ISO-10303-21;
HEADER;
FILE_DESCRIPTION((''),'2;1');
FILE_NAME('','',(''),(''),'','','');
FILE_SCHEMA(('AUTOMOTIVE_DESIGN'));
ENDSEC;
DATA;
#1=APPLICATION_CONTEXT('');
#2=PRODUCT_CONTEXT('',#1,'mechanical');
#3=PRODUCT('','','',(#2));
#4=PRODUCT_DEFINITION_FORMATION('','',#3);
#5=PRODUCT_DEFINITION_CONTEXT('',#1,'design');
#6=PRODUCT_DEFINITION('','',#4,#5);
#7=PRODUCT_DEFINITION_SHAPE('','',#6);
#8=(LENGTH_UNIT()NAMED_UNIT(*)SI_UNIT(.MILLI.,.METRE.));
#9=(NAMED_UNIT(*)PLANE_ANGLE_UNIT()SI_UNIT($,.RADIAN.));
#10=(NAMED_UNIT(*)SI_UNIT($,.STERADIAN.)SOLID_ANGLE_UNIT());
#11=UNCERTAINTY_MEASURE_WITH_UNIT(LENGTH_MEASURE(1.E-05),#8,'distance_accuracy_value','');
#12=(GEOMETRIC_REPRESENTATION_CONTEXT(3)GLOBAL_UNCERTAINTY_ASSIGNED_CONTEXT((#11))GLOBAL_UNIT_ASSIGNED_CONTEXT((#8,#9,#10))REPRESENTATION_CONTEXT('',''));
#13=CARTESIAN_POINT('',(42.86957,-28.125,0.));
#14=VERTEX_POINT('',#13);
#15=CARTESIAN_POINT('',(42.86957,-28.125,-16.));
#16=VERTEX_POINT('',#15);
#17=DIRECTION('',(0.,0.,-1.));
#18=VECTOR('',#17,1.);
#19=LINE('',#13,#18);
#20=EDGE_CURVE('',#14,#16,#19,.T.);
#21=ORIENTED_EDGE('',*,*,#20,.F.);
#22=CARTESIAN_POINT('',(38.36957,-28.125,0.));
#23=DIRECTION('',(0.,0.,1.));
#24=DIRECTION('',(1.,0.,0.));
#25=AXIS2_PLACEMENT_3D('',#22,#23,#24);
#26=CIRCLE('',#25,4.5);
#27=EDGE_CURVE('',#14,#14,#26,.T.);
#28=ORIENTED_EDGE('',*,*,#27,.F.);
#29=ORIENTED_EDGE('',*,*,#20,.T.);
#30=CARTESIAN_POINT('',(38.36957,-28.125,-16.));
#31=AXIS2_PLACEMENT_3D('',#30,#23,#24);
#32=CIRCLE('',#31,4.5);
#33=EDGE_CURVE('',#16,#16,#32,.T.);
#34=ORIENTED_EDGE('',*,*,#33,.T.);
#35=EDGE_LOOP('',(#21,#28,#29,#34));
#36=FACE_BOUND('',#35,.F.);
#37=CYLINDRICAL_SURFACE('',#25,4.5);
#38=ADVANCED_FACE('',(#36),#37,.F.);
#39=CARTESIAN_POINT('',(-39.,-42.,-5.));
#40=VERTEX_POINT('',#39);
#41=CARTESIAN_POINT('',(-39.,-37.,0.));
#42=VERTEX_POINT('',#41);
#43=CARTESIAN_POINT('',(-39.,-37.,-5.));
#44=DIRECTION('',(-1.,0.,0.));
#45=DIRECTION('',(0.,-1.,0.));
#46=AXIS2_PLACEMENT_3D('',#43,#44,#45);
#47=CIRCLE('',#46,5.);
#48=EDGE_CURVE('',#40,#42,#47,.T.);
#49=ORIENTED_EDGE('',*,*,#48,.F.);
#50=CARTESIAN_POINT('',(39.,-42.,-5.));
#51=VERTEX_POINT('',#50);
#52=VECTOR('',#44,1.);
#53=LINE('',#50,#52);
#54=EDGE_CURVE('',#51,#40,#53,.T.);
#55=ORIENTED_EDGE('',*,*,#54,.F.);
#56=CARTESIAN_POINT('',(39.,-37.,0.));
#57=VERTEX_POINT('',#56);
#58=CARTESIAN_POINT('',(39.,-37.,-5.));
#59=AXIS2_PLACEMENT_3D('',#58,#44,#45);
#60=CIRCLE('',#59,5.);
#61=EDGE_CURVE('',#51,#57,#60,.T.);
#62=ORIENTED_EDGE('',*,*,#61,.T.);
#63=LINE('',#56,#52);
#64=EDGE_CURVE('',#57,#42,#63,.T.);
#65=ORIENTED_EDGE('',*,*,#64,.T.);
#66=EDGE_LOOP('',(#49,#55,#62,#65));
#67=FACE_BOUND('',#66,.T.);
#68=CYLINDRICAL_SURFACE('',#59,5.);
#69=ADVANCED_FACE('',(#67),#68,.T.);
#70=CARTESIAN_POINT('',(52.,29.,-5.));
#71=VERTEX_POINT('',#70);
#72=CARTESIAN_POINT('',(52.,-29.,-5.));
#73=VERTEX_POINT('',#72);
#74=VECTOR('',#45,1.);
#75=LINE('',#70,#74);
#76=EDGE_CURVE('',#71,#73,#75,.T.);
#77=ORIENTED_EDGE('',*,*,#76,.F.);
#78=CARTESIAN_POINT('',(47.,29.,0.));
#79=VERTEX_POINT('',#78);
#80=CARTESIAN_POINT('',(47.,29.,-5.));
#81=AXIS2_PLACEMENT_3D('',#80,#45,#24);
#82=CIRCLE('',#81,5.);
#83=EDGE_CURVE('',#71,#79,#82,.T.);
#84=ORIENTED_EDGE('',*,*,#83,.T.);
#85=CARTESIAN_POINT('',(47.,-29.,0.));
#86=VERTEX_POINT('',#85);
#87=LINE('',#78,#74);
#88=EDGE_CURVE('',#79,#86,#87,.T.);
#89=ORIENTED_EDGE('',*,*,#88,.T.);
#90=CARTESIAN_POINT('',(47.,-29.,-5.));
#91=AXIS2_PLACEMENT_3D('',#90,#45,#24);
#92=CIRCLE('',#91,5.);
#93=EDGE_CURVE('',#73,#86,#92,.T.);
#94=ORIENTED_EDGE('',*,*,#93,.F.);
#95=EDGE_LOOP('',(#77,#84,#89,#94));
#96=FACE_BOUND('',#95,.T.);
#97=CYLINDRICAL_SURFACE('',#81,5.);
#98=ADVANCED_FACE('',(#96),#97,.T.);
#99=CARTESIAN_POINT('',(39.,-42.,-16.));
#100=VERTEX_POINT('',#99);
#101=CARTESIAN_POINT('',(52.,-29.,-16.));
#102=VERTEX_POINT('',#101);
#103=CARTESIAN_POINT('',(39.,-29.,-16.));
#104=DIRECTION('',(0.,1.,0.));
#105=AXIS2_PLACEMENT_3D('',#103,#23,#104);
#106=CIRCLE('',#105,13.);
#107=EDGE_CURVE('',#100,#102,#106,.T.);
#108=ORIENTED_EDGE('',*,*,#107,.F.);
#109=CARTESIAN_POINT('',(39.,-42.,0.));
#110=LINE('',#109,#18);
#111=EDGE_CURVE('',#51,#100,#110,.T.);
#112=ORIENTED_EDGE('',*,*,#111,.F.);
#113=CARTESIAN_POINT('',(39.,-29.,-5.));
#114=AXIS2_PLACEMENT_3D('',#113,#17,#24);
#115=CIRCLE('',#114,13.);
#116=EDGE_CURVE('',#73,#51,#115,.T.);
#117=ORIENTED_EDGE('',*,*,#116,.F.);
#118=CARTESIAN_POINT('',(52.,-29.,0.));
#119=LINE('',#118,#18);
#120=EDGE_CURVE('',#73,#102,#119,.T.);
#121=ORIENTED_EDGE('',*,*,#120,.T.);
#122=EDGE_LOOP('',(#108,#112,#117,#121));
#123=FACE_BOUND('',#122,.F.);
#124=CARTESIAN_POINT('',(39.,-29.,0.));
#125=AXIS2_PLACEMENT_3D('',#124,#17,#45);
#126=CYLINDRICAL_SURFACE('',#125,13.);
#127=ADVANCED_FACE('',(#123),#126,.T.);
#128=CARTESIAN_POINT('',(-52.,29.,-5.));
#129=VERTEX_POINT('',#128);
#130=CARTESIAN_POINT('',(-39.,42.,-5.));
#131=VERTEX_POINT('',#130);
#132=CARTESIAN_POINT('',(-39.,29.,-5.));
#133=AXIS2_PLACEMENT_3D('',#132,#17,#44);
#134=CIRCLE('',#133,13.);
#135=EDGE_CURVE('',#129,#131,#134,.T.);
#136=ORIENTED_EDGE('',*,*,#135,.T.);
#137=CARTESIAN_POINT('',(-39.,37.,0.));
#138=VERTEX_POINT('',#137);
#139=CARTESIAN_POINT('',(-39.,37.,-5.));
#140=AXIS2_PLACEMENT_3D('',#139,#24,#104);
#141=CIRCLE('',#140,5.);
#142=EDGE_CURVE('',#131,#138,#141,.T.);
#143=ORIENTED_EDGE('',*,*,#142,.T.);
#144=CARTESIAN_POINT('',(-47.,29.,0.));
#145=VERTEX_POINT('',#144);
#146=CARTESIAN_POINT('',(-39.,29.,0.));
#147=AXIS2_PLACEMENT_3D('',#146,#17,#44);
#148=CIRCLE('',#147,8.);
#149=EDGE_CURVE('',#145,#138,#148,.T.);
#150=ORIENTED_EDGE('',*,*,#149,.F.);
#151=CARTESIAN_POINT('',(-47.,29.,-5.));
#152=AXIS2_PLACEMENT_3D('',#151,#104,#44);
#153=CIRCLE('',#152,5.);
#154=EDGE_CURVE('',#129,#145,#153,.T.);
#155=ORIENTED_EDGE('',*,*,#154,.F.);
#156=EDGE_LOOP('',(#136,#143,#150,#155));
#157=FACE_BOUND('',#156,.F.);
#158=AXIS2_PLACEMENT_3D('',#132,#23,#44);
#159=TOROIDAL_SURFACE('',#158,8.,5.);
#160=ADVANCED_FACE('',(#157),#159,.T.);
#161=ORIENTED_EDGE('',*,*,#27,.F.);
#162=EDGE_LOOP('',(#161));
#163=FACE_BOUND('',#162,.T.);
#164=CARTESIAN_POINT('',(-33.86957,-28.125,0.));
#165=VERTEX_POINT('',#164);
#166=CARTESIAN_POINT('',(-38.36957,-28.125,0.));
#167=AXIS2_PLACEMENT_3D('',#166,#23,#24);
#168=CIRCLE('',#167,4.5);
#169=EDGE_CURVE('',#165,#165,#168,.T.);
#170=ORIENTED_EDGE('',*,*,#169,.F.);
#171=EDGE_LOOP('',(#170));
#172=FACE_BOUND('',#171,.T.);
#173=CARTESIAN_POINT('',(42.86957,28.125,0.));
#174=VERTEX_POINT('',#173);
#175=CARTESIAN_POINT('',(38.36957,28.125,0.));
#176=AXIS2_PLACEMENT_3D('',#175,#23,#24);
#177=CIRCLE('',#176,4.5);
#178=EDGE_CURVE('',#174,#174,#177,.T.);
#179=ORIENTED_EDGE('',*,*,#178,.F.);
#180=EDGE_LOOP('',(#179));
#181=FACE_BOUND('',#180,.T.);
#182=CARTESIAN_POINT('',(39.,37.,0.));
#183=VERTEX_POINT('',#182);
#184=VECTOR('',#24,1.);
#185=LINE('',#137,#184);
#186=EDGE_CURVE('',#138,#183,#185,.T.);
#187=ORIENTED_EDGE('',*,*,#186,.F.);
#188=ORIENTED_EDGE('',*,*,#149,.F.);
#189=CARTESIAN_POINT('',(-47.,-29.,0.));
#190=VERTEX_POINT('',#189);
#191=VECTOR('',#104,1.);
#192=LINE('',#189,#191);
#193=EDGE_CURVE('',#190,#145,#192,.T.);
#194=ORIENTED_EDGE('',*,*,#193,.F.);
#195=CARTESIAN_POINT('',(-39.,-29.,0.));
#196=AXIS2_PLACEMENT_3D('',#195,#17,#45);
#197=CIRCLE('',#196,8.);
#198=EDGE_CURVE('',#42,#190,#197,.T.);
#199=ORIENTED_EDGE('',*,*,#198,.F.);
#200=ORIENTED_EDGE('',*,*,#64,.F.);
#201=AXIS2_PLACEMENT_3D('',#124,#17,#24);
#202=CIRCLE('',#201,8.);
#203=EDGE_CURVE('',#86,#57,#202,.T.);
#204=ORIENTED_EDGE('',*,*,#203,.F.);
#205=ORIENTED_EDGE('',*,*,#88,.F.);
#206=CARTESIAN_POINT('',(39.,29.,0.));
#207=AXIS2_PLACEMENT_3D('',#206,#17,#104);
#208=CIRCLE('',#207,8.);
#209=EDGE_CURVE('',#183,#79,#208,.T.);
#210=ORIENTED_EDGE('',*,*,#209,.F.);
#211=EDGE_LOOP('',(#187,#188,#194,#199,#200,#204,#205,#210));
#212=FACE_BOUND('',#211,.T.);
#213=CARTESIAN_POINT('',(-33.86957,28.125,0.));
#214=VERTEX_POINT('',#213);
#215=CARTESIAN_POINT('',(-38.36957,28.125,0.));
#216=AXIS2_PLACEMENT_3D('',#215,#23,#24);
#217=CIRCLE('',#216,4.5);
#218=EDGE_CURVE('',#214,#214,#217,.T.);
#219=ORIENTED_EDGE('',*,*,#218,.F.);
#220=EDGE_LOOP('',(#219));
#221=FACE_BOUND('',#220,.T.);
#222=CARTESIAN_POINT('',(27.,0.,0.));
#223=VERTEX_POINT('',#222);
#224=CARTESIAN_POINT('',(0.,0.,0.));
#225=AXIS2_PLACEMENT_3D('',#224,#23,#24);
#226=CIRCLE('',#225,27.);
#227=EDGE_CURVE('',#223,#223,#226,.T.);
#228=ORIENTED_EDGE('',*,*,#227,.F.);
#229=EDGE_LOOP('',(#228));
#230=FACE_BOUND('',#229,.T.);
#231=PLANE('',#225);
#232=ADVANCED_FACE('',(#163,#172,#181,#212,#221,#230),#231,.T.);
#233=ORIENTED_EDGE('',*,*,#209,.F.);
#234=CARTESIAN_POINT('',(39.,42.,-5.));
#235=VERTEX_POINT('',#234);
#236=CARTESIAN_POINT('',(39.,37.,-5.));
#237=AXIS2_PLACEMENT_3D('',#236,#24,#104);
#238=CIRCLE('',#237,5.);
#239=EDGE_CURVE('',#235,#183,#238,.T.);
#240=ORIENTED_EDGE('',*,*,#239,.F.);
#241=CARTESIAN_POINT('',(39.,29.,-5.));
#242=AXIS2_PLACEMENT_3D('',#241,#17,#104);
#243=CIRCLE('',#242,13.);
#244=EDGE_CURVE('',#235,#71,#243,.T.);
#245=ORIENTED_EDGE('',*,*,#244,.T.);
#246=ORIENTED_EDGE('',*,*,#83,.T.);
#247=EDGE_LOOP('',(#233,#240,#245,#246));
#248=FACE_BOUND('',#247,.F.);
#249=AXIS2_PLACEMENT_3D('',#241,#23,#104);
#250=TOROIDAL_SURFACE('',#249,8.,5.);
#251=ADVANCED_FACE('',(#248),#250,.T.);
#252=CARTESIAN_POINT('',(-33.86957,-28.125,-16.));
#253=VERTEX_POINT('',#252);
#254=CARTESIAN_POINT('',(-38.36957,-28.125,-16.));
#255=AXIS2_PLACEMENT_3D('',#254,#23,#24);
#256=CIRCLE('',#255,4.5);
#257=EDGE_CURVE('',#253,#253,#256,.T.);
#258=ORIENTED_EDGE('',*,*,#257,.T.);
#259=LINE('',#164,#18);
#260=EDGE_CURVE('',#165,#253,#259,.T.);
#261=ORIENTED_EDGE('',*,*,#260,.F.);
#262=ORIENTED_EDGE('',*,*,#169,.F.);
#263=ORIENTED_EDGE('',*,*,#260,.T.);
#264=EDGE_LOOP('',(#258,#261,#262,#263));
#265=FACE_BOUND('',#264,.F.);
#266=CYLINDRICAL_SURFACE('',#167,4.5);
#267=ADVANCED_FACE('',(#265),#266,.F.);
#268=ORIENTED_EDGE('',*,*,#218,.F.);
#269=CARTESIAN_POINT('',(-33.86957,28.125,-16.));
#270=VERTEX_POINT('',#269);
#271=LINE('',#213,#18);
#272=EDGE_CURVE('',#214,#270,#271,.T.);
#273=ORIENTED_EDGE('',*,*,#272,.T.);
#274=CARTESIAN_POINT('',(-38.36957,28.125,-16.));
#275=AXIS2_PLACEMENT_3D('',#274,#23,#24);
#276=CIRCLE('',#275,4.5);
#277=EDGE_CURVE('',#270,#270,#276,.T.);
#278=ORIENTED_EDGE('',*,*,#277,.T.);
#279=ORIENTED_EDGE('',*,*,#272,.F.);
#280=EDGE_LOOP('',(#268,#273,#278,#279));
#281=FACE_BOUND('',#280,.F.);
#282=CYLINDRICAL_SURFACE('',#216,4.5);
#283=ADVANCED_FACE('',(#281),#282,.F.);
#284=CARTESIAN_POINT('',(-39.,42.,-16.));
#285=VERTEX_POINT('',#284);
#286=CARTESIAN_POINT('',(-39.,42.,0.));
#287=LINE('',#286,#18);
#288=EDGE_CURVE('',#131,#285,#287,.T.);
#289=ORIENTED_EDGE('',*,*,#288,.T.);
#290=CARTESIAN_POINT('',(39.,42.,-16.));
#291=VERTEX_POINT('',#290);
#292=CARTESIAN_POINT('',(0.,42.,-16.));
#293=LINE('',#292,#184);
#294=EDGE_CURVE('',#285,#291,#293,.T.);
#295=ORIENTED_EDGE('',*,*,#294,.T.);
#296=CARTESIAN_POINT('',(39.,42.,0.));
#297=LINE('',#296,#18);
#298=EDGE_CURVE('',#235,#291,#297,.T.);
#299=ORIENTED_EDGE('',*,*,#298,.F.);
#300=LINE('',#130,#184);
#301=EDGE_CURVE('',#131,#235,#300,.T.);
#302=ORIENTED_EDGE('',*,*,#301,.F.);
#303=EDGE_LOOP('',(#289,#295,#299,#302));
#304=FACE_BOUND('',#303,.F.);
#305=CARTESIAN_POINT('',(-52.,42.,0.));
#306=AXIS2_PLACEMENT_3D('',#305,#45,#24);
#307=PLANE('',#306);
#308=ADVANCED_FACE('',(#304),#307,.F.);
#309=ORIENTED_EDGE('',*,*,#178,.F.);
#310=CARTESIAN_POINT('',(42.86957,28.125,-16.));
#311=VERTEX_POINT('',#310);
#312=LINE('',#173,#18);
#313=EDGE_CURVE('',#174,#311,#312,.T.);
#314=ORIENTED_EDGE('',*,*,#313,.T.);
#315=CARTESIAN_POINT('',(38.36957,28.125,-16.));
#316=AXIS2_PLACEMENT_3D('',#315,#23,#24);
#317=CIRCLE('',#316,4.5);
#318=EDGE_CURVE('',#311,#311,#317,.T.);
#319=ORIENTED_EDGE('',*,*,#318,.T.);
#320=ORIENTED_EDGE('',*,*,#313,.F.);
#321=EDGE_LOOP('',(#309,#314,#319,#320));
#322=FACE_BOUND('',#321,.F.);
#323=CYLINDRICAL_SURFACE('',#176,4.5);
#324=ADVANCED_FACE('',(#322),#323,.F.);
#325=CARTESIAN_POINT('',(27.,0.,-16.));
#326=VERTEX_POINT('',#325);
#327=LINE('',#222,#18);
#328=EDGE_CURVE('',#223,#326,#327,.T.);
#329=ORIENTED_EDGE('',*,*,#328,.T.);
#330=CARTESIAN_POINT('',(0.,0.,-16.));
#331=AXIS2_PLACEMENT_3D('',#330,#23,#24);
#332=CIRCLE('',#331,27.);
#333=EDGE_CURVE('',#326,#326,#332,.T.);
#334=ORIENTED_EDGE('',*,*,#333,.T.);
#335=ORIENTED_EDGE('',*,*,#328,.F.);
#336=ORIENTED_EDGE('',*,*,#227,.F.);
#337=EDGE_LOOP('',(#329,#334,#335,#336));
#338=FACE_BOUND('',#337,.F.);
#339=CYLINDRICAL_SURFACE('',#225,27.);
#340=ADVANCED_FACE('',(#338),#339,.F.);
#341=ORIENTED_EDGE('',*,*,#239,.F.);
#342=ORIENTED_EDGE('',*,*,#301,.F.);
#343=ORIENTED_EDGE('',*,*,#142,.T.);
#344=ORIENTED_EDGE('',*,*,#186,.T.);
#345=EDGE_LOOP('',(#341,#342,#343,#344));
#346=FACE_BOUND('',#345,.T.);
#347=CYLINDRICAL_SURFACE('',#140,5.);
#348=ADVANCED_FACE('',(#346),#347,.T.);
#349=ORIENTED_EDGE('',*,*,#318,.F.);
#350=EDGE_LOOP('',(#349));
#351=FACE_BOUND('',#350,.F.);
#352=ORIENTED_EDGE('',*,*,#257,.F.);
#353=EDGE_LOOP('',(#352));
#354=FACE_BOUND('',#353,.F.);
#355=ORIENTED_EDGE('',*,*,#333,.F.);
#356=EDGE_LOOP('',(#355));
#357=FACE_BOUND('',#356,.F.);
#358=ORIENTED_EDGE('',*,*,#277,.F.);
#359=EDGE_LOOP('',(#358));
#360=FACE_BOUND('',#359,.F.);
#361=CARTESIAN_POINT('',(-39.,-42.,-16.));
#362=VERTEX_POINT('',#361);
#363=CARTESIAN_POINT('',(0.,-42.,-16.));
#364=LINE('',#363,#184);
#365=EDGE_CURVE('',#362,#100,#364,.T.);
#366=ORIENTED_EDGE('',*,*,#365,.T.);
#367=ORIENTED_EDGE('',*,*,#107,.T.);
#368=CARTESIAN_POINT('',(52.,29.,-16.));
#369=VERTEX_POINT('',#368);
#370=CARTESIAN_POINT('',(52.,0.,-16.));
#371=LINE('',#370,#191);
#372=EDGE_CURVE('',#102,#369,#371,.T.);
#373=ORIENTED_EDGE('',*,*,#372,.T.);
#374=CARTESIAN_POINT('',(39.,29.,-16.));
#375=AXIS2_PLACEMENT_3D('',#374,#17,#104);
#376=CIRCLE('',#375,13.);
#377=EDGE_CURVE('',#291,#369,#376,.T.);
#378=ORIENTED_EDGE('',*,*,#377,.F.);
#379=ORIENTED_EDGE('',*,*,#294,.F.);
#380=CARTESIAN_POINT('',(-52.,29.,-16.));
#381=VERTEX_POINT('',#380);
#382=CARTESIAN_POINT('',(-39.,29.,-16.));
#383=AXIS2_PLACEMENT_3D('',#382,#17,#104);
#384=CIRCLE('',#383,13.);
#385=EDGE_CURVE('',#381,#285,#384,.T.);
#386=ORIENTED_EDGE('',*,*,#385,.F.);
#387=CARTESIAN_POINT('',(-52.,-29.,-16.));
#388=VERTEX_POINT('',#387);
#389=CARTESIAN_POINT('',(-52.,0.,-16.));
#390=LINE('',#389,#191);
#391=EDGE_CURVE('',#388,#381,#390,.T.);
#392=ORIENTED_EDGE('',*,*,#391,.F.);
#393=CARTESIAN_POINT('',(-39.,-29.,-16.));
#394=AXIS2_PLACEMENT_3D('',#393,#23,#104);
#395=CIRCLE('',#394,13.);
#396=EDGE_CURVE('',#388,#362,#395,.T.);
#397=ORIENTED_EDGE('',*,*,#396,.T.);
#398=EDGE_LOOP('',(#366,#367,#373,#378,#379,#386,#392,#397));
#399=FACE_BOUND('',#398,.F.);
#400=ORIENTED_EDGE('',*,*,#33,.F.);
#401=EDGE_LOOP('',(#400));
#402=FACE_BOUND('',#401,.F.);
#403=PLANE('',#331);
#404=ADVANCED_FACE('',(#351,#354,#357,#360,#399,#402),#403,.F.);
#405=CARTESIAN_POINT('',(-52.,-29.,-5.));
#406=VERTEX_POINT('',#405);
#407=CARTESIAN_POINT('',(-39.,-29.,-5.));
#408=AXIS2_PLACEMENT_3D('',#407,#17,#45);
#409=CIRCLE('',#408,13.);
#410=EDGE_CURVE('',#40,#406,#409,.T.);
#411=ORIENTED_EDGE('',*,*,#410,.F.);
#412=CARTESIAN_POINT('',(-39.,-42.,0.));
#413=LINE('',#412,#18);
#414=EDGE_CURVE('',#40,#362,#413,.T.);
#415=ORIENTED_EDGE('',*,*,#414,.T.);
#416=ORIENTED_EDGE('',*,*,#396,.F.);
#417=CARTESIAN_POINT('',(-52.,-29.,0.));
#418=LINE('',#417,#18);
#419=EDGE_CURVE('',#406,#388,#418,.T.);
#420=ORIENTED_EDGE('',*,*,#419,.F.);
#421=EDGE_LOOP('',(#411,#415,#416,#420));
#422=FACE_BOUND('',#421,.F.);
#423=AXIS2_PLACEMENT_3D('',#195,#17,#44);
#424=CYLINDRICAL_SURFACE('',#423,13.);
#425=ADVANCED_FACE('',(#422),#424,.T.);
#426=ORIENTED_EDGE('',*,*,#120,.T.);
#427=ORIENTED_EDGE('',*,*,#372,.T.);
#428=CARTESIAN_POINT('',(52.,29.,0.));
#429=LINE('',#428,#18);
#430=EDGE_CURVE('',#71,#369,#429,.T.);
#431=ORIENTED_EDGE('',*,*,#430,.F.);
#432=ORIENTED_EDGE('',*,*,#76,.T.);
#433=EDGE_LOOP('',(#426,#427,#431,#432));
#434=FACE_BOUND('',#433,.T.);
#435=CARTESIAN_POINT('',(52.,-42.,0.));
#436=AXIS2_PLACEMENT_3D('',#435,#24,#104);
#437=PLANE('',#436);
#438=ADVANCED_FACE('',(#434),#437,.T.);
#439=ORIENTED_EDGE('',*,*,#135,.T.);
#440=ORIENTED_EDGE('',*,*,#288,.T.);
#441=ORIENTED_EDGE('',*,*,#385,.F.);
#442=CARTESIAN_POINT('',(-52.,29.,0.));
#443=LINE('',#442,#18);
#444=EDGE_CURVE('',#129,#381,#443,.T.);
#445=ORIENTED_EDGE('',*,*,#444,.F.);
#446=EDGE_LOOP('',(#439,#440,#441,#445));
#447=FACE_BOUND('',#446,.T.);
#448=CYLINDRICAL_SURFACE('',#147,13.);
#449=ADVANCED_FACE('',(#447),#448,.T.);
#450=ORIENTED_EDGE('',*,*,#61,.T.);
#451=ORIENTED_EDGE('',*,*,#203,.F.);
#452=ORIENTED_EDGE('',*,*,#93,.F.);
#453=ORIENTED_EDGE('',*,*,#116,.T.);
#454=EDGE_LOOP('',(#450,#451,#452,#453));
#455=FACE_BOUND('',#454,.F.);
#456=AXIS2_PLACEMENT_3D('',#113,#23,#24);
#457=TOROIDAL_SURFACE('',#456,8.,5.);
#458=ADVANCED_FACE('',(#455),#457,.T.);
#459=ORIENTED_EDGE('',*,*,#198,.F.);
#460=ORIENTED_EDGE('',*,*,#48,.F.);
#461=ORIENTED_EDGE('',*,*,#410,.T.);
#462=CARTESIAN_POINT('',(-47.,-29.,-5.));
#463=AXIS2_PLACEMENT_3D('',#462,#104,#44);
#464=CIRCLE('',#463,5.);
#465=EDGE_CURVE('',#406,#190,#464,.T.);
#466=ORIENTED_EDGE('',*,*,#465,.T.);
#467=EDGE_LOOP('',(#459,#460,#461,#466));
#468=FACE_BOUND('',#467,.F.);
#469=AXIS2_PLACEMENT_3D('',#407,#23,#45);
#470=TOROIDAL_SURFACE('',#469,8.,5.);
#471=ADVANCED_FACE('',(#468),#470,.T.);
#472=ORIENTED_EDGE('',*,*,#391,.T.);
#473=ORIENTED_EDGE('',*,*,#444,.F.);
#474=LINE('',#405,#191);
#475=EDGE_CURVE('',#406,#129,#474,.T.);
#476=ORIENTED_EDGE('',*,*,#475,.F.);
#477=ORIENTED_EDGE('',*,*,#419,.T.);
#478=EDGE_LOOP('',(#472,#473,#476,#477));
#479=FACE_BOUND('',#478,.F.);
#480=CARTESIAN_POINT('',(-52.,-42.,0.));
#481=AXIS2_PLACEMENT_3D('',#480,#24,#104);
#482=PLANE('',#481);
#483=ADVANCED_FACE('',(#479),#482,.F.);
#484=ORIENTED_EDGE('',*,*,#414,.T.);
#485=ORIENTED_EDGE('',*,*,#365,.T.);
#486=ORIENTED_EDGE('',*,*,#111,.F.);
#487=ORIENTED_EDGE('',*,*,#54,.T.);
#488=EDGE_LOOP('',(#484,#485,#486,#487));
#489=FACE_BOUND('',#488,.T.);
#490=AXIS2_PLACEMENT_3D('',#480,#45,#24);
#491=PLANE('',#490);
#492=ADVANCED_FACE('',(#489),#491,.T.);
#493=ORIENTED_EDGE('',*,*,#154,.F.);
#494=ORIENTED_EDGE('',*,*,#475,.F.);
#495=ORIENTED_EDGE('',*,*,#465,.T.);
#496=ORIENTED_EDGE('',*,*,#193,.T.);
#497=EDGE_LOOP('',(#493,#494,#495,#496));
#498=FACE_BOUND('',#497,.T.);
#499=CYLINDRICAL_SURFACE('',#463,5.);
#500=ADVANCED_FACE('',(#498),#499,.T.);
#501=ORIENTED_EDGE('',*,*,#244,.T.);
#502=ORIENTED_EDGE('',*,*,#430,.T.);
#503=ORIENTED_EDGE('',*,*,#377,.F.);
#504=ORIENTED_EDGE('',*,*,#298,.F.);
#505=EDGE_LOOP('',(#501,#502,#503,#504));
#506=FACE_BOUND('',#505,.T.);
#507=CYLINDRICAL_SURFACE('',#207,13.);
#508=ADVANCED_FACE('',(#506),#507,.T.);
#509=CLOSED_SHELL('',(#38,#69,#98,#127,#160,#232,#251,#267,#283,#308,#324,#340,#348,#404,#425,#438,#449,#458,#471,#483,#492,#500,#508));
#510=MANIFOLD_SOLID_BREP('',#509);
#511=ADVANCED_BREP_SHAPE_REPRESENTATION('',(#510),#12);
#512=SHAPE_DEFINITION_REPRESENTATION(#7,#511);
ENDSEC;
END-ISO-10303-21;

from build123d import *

# Parameters (mm, degrees)
F0_W     = 104
F0_H     = 84
F1_DEPTH = 16
F3_R     = 4.5
F4_DEPTH = 25
F5_R     = 27
F6_DEPTH = 25
F7_R     = 13
F8_R     = 5


with BuildPart() as f1:
    # F0 (on Top) → F1 (new body)
    with BuildSketch(Plane.XY):
        Rectangle(F0_W, F0_H)
    extrude(amount=-F1_DEPTH)

    # F3 (on face) → F4 (cut)
    with BuildSketch(Plane.XY):
        with Locations((38.36957, 28.125)):
            Circle(F3_R)
        with Locations((38.36957, -28.125)):
            Circle(F3_R)
        with Locations((-38.36957, 28.125)):
            Circle(F3_R)
        with Locations((-38.36957, -28.125)):
            Circle(F3_R)
    extrude(amount=-F4_DEPTH, mode=Mode.SUBTRACT)

    # F5 (on Top) → F6 (cut)
    with BuildSketch(Plane.XY):
        Circle(F5_R)
    extrude(amount=-F6_DEPTH, mode=Mode.SUBTRACT)

    # F7
    f7_edges = [f1.edges().sort_by_distance(p)[0] for p in [
        (-52, 42, -8),
        (-52, -42, -8),
        (52, -42, -8),
        (52, 42, -8),
    ]]
    fillet(f7_edges, radius=F7_R)

    # F8
    f8_edges = [f1.edges().sort_by_distance(p)[0] for p in [
        (-52, 0, 0),
    ]]
    fillet(f8_edges, radius=F8_R)


solid = f1.part
